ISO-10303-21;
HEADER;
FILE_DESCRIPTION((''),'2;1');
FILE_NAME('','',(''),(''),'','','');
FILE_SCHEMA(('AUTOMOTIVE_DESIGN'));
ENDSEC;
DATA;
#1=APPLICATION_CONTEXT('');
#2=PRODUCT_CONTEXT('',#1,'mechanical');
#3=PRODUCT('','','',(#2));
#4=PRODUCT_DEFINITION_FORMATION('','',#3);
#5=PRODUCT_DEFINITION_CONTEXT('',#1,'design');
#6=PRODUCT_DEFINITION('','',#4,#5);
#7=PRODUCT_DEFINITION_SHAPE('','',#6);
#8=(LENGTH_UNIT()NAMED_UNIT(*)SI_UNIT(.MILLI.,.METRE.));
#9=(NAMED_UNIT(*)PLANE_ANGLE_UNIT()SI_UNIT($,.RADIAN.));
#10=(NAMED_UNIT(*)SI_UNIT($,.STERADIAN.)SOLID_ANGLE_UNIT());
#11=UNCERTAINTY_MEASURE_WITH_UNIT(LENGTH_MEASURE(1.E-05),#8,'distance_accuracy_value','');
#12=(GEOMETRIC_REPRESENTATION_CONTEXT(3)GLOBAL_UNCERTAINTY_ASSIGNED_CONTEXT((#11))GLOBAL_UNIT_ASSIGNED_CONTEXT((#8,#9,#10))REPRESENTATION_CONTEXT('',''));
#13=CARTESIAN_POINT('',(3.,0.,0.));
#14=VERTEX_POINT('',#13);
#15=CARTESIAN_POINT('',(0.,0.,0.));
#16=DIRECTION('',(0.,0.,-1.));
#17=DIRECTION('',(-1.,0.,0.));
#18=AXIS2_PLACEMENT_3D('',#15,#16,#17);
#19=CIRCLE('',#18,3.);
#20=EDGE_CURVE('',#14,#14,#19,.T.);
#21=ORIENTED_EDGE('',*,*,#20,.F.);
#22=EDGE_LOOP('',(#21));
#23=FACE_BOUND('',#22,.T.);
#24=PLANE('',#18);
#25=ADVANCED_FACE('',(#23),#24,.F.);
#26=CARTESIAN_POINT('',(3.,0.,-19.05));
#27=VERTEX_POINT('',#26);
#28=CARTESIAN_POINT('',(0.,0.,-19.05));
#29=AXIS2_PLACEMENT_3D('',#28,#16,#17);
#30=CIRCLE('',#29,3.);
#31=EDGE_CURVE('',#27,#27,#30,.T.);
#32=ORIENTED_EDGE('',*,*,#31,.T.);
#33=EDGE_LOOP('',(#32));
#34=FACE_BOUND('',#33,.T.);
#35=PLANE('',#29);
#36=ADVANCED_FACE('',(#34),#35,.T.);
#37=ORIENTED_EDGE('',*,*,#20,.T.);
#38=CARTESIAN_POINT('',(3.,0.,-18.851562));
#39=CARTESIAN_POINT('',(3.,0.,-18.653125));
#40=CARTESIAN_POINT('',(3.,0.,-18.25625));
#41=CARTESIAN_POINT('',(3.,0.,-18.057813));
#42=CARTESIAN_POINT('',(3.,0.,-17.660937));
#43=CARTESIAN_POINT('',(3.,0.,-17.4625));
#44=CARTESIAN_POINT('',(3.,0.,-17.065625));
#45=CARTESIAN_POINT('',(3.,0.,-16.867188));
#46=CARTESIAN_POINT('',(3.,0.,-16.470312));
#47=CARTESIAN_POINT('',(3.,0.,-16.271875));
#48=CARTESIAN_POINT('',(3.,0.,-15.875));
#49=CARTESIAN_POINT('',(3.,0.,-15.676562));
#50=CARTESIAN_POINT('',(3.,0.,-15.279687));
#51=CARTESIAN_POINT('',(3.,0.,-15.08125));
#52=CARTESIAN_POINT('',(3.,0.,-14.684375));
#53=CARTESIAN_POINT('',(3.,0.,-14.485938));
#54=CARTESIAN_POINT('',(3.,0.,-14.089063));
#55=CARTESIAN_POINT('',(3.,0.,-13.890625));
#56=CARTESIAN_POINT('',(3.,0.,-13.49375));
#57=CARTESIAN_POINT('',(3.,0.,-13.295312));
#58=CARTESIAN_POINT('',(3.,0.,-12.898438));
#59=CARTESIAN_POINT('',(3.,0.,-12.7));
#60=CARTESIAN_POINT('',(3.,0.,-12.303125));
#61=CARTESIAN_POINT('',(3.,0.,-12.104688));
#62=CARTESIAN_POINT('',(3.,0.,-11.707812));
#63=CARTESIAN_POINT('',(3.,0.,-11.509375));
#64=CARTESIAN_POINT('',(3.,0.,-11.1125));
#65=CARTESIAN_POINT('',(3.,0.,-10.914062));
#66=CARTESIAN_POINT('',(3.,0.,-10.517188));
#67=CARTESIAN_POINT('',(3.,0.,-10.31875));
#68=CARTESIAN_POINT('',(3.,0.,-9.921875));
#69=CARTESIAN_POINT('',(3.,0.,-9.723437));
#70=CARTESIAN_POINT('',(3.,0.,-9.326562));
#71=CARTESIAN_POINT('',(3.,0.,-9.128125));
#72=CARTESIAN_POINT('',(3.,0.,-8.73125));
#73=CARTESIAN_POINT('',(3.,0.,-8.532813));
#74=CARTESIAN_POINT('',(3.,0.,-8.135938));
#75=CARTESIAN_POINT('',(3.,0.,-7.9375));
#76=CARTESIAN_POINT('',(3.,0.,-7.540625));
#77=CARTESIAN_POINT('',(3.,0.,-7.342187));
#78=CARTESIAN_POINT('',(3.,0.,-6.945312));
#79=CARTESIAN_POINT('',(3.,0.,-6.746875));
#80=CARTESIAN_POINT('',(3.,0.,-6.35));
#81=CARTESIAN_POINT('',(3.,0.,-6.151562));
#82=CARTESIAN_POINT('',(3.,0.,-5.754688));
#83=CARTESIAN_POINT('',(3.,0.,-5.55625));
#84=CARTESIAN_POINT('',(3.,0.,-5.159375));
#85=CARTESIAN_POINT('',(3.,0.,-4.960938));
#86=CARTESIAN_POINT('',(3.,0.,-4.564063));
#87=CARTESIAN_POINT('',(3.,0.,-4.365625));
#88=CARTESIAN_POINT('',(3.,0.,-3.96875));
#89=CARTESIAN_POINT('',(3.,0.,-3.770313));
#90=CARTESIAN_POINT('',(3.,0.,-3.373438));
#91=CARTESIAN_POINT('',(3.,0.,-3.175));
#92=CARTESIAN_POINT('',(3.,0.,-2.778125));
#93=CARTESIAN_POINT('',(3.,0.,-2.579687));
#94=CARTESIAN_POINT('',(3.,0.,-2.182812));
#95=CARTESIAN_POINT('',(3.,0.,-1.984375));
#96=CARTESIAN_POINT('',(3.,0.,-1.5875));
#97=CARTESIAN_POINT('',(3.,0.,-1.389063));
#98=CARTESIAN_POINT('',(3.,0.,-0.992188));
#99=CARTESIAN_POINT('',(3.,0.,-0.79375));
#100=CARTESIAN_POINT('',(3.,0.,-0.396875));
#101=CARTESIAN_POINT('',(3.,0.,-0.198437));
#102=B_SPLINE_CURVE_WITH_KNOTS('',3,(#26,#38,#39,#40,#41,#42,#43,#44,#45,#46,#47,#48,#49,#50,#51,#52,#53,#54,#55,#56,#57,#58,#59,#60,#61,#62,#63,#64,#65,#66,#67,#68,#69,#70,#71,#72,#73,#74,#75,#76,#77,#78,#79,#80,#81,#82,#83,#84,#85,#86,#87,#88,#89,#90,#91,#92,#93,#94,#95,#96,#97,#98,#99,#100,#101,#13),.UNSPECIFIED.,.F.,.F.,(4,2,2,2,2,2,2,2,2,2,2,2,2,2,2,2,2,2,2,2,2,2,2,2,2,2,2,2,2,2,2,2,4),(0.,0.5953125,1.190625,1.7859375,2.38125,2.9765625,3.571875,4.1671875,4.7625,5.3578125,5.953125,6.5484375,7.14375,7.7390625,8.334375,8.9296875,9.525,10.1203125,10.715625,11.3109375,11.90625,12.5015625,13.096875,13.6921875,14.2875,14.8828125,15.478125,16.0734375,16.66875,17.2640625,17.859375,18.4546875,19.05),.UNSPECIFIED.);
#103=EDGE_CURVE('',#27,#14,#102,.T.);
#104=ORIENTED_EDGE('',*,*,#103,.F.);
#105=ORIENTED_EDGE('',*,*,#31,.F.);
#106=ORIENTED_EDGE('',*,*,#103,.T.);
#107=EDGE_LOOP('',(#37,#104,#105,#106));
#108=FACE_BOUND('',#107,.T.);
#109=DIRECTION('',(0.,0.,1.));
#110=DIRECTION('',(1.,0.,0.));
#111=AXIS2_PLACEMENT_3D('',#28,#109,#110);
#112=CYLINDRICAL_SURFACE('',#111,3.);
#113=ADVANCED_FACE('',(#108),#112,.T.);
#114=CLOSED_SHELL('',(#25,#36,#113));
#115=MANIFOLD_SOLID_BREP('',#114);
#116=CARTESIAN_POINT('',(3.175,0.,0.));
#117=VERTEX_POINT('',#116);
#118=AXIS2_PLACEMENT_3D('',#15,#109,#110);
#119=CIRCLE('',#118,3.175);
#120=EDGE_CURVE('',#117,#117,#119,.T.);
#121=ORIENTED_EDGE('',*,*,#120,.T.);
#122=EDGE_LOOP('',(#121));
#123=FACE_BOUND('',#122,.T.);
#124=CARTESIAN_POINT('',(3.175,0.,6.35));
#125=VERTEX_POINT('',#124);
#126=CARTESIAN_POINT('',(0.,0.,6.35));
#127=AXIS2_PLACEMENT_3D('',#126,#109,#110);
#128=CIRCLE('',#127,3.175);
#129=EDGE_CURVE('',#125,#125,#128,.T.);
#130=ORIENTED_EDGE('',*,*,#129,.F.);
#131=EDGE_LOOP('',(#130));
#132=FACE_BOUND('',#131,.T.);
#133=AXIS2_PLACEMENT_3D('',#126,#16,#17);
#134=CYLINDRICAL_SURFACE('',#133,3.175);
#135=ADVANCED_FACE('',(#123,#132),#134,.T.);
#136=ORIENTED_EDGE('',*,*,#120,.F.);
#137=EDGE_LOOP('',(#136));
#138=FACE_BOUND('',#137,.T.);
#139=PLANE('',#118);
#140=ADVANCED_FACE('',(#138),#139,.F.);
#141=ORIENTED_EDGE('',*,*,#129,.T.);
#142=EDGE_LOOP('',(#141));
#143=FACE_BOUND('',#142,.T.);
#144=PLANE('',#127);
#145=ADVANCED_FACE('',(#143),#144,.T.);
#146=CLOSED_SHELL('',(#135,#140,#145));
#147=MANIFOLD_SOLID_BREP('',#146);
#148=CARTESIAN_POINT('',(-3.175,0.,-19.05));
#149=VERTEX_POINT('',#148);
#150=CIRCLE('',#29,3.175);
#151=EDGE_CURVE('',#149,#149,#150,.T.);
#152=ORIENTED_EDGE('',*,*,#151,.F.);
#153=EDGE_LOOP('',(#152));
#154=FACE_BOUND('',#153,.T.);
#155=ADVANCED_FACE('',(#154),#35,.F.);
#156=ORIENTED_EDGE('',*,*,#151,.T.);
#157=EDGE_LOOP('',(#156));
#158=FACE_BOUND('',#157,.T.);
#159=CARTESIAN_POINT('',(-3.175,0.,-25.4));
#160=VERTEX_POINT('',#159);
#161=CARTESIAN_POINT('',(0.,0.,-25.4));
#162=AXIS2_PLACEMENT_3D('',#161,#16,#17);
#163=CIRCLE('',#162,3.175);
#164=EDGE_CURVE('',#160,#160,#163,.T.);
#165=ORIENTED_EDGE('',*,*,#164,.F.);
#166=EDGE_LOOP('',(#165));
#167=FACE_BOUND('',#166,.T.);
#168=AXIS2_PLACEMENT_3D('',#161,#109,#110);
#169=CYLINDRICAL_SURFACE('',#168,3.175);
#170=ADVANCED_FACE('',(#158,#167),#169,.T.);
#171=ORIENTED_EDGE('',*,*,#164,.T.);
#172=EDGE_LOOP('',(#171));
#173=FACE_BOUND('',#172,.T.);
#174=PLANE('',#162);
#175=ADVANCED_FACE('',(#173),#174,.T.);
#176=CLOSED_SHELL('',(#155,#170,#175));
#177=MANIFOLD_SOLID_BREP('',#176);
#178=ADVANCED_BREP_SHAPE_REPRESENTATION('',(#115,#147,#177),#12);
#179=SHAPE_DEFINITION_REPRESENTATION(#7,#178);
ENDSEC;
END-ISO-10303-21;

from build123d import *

# Parameters (mm, degrees)
SKETCH1_R           = 3.175
BOSS_EXTRUDE1_DEPTH = 6.35
SKETCH2_R           = 3
BOSS_EXTRUDE2_DEPTH = 19.05
SKETCH3_R           = 3.175
BOSS_EXTRUDE3_DEPTH = 6.35


with BuildPart() as part:
    # Sketch1 → Boss-Extrude1 (new body)
    with BuildSketch(Plane.XY):
        Circle(SKETCH1_R)
    extrude(amount=BOSS_EXTRUDE1_DEPTH)


with BuildPart() as body_2:
    # Sketch2 → Boss-Extrude2 (new body)
    with BuildSketch(Plane(origin=(0, 0, 0), x_dir=(-1, 0, 0), z_dir=(0, 0, -1))):
        with Locations(Location((0, 0, 0), (0, 0, 180))):
            Circle(SKETCH2_R)
    extrude(amount=BOSS_EXTRUDE2_DEPTH)


with BuildPart() as body_3:
    # Sketch3 → Boss-Extrude3 (new body)
    with BuildSketch(Plane(origin=(0, 0, -19.05), x_dir=(-1, 0, 0), z_dir=(0, 0, -1))):
        Circle(SKETCH3_R)
    extrude(amount=BOSS_EXTRUDE3_DEPTH)


solid = Compound([part.part, body_2.part, body_3.part])
